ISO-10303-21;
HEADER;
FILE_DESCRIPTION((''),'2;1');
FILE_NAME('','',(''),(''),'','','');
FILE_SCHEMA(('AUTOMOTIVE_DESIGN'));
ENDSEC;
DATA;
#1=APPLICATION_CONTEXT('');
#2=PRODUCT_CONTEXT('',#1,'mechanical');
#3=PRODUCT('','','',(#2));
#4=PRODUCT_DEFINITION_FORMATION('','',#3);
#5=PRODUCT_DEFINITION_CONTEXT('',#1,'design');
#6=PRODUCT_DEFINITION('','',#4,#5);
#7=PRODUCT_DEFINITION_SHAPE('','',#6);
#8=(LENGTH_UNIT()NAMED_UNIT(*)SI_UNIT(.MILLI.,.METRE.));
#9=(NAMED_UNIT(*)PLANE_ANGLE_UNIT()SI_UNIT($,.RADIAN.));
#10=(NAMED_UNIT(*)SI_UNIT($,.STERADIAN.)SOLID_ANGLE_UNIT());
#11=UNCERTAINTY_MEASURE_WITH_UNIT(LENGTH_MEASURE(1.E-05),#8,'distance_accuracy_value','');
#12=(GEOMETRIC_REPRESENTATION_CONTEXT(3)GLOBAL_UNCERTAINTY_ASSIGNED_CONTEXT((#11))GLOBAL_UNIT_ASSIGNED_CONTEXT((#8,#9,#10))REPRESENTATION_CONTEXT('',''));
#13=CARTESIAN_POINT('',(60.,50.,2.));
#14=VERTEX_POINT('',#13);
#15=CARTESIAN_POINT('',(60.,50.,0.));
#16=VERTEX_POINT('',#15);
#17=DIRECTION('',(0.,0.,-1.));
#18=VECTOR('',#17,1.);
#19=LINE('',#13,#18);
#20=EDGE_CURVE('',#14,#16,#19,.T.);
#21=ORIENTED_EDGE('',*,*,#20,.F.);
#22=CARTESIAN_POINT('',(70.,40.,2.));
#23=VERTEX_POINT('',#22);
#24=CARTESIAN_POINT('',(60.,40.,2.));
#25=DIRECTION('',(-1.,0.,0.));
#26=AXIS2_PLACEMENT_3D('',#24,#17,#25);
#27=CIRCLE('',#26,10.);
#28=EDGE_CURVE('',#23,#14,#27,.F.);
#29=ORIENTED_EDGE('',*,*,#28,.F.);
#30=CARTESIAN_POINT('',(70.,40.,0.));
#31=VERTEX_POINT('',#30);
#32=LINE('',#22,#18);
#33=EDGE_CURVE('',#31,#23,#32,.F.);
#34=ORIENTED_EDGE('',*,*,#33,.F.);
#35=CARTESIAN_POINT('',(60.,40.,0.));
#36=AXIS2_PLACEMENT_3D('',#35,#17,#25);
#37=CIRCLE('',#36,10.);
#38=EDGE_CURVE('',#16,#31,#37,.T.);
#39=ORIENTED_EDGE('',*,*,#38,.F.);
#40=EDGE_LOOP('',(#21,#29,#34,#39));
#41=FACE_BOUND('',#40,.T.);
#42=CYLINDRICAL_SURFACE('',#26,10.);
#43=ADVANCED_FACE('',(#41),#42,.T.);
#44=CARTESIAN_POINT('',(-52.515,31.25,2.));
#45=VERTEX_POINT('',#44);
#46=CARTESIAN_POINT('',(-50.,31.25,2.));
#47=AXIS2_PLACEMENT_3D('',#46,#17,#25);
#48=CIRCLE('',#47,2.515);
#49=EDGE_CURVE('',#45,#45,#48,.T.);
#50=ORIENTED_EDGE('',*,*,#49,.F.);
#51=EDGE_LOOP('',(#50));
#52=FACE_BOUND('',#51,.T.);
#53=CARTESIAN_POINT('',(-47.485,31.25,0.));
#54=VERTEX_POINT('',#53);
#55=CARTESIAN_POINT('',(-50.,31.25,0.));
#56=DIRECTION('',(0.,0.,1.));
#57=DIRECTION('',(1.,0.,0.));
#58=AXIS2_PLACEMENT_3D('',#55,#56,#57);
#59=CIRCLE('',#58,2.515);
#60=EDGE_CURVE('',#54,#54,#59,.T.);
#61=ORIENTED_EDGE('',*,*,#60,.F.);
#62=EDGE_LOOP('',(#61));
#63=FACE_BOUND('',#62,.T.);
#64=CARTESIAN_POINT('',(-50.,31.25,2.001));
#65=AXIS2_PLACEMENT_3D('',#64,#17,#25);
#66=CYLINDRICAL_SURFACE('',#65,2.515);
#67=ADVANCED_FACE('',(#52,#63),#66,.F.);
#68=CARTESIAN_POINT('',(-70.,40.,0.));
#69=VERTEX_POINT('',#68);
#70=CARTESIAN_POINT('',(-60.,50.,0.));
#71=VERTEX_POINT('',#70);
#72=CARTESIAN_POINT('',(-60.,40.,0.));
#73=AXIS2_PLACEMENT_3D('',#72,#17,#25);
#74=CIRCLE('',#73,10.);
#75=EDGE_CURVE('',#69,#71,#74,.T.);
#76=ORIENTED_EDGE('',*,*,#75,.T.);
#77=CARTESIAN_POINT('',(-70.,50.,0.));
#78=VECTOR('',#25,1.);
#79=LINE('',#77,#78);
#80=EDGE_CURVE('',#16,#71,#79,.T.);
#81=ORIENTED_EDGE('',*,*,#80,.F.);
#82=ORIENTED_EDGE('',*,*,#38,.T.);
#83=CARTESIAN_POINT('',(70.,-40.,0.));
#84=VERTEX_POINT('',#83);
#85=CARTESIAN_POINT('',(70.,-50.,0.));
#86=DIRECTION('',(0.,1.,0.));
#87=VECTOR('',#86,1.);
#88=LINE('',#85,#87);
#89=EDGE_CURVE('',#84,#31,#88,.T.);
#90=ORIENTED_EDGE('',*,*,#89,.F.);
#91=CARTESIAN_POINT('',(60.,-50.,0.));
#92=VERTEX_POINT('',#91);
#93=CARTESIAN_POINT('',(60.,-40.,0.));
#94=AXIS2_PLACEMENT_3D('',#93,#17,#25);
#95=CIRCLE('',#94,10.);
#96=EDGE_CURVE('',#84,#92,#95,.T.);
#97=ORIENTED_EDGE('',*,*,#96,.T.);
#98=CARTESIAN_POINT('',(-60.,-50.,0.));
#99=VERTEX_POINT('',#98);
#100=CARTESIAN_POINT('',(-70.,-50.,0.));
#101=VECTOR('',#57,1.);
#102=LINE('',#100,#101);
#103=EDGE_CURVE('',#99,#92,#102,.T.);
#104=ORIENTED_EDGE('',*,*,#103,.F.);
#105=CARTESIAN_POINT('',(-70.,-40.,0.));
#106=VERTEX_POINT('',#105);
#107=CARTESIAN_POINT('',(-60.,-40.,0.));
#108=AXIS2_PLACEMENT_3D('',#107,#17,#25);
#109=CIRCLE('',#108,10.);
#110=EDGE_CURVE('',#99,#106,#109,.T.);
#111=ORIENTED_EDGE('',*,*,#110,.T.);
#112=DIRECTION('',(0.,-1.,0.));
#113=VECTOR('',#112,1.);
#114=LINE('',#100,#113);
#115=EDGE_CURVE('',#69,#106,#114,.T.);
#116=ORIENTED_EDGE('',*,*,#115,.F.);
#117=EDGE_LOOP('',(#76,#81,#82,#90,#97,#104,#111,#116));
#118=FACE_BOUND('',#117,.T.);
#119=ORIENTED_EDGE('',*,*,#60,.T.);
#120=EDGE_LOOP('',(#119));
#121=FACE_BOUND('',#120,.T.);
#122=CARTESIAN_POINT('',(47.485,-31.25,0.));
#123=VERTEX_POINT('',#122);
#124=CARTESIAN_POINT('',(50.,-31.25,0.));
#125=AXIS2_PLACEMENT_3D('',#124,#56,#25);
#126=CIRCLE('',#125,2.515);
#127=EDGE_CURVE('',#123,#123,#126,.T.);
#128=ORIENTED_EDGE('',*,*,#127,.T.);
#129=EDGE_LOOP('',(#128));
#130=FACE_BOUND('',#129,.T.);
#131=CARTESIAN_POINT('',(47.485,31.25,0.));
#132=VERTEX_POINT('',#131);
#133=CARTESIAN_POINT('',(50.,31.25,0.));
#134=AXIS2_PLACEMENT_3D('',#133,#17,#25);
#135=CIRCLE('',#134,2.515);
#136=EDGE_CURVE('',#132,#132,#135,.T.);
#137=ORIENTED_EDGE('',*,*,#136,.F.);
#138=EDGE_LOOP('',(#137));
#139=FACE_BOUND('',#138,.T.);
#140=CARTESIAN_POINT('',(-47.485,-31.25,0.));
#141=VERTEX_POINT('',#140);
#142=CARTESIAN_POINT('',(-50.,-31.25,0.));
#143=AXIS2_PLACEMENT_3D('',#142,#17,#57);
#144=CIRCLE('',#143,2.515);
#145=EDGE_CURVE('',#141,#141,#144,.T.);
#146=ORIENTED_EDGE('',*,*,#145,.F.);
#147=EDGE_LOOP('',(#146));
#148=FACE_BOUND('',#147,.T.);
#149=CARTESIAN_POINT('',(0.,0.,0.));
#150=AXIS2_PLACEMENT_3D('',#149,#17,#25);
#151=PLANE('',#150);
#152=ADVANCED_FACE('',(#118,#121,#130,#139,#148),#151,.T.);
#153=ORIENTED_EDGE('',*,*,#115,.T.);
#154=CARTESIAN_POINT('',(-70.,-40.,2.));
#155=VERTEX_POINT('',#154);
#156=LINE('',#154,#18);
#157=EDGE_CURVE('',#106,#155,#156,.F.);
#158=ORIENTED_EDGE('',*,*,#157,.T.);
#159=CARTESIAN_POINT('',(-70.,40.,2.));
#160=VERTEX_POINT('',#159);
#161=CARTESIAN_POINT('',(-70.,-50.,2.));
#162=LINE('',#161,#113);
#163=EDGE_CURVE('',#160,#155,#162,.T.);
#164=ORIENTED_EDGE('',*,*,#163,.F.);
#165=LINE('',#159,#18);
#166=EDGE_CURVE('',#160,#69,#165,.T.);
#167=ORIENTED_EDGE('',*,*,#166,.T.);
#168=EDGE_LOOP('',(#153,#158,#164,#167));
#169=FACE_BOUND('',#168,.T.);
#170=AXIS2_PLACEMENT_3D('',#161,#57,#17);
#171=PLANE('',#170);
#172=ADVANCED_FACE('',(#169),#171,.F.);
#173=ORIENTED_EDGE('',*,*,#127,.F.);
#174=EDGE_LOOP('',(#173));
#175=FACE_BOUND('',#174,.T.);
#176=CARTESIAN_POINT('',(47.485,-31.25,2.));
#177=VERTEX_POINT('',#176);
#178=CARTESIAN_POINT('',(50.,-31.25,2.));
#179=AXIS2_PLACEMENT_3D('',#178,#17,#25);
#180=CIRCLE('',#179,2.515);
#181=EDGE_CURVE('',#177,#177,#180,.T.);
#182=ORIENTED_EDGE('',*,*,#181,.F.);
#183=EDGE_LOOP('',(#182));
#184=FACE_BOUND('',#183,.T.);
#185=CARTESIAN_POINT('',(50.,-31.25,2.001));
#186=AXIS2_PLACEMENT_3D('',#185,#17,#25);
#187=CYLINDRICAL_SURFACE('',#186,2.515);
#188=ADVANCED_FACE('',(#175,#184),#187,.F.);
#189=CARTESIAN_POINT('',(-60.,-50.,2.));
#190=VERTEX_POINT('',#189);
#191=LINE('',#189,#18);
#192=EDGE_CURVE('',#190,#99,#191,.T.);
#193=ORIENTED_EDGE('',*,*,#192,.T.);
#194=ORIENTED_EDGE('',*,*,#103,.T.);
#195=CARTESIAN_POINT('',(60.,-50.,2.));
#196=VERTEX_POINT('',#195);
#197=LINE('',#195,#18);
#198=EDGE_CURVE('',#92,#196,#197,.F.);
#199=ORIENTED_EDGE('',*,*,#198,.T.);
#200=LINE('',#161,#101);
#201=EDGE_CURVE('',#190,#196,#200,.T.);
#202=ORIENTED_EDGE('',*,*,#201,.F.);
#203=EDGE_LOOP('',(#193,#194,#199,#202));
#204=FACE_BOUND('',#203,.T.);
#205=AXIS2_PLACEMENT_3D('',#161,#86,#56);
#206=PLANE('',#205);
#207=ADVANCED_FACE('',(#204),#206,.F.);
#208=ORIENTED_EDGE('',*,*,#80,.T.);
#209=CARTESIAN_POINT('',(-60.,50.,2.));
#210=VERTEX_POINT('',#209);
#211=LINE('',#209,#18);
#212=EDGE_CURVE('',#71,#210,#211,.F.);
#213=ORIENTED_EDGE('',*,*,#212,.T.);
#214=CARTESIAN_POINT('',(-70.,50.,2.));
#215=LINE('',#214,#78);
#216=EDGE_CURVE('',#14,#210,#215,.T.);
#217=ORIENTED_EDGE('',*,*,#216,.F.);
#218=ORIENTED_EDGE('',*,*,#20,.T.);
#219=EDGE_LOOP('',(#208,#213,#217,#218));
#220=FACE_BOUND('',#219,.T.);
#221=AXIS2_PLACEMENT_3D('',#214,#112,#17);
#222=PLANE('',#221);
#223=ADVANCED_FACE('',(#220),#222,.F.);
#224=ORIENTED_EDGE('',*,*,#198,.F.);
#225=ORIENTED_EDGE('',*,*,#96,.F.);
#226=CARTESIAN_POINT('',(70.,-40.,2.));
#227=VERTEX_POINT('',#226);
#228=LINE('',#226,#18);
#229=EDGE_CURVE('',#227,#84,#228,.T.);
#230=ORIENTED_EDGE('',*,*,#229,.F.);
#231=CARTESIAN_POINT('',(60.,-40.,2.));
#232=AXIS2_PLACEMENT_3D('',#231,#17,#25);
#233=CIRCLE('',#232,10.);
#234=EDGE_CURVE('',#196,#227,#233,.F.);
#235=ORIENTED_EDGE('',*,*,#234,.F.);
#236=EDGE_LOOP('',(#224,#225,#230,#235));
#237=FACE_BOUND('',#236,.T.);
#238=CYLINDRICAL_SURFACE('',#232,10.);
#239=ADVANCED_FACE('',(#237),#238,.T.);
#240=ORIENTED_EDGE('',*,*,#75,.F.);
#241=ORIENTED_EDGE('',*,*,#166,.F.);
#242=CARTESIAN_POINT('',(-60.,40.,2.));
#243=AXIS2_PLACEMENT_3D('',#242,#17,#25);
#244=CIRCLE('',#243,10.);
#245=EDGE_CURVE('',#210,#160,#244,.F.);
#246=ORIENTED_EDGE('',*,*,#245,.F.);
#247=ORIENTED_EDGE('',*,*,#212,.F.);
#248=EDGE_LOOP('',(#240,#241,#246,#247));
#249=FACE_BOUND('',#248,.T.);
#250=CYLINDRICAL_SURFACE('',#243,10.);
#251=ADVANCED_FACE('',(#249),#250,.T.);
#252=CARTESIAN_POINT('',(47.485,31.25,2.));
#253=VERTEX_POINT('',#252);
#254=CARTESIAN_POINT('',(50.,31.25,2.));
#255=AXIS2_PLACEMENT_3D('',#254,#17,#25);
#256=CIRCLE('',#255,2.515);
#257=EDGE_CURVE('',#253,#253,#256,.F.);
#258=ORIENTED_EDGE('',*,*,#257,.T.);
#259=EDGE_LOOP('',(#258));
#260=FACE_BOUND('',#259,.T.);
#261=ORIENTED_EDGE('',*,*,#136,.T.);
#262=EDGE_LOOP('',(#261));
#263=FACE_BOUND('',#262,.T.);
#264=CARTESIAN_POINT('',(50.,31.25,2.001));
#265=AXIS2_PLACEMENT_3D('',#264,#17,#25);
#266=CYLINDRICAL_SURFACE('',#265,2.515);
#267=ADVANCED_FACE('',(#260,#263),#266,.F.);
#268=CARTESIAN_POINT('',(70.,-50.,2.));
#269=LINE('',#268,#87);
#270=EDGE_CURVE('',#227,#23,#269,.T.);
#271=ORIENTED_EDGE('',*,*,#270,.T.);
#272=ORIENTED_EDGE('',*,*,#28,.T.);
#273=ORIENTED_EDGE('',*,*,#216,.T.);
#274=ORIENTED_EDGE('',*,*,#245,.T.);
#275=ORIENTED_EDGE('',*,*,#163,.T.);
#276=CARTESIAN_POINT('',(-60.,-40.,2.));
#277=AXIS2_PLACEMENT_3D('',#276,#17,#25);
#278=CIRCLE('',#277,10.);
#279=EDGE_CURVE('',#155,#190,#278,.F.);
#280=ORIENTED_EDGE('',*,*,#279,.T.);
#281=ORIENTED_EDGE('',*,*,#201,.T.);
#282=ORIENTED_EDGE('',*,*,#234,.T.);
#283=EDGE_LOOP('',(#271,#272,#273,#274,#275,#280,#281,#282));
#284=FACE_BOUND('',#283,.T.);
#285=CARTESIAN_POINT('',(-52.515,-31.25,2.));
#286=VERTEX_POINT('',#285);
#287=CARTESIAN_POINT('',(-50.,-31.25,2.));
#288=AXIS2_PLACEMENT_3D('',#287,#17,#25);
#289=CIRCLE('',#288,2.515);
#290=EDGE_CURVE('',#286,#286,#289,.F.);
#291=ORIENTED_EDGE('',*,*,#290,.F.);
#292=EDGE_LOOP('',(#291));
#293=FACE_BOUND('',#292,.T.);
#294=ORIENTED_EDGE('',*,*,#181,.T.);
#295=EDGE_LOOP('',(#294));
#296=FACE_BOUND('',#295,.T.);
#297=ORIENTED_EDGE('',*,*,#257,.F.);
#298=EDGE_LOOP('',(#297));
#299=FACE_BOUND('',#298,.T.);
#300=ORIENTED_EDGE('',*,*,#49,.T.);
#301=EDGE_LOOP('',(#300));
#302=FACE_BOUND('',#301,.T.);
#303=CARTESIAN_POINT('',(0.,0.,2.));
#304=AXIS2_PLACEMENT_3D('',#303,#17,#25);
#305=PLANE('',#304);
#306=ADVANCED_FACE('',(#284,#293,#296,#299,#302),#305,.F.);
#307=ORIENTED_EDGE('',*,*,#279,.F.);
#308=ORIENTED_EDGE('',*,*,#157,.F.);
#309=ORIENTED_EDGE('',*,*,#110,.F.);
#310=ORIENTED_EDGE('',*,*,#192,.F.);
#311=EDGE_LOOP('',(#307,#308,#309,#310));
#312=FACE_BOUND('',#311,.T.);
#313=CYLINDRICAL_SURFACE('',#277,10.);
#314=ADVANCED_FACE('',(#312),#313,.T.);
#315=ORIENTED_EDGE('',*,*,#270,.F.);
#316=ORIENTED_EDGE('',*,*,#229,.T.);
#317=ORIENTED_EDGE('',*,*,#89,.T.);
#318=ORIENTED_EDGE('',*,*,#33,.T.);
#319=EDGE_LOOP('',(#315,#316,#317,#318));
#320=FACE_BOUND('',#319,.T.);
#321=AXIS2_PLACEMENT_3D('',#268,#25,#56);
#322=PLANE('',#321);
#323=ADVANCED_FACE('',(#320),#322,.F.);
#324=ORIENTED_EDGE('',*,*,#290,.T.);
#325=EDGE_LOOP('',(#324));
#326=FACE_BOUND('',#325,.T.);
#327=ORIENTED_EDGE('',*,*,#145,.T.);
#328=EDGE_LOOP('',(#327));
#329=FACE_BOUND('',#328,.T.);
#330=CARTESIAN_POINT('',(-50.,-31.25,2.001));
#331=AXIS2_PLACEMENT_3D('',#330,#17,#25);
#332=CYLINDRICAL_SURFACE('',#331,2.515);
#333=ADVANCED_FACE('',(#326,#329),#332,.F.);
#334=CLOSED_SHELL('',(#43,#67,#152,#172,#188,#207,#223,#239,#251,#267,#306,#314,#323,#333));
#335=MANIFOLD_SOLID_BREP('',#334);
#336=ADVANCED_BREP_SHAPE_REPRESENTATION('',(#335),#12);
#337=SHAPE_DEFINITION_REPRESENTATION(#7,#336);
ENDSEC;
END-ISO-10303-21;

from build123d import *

# Parameters (mm, degrees)
SKETCH1_W                                  = 140
SKETCH1_H                                  = 100
BOSS_EXTRUDE1_DEPTH                        = 2
CUT_EXTRUDE2_REACH                         = 88.046
SKETCH2_R                                  = 2.515
FILLET1_R                                  = 10
MIRROR1_AT_THE_SECOND_PLANE_COPY_1_REACH   = 88.046
MIRROR1_AT_THE_SECOND_PLANE_COPY_1_SKETC_R = 2.515


with BuildPart() as part:
    # Sketch1 → Boss-Extrude1 (new body)
    with BuildSketch(Plane.XY):
        Rectangle(SKETCH1_W, SKETCH1_H)
    extrude(amount=BOSS_EXTRUDE1_DEPTH)

    # Sketch2 → Cut-Extrude2 (cut, up to next)
    with BuildSketch(Plane.XY, mode=Mode.PRIVATE) as cut_extrude2_sk1:
        with Locations((-50, 31.25)):
            Circle(SKETCH2_R)
    cut_extrude2_tool1 = extrude(cut_extrude2_sk1.sketch, amount=CUT_EXTRUDE2_REACH, mode=Mode.PRIVATE) & part.part
    cut_extrude2 = cut_extrude2_tool1.solids().sort_by_distance((-50, 31.25, 0))[0]
    add(cut_extrude2, mode=Mode.SUBTRACT)

    # Fillet1
    fillet1_edges = [part.edges().sort_by_distance(p)[0] for p in [
        (70, -50, 1),
        (70, 50, 1),
        (-70, -50, 1),
        (-70, 50, 1),
    ]]
    fillet(fillet1_edges, radius=FILLET1_R)

    # Mirror1: Cut-Extrude2 across plane
    add(cut_extrude2.mirror(Plane.ZX), mode=Mode.SUBTRACT)

    # Mirror1 at the second plane: Cut-Extrude2 across plane
    add(cut_extrude2.mirror(Plane(origin=(0, 0, 0), x_dir=(0, 0, 1), z_dir=(1, 0, 0))), mode=Mode.SUBTRACT)

    # Mirror1 at the second plane copy 1 sketc → Mirror1 at the second plane copy 1 (cut, up to next)
    with BuildSketch(Plane(origin=(0, 0, 0), x_dir=(-1, 0, 0), z_dir=(0, 0, 1)), mode=Mode.PRIVATE) as mirror1_at_the_second_plane_copy_1_sk1:
        with Locations((-50, 31.25)):
            Circle(MIRROR1_AT_THE_SECOND_PLANE_COPY_1_SKETC_R)
    mirror1_at_the_second_plane_copy_1_tool1 = extrude(mirror1_at_the_second_plane_copy_1_sk1.sketch, amount=MIRROR1_AT_THE_SECOND_PLANE_COPY_1_REACH, mode=Mode.PRIVATE) & part.part
    add(mirror1_at_the_second_plane_copy_1_tool1.solids().sort_by_distance((50, -31.25, 0))[0], mode=Mode.SUBTRACT)


solid = part.part
